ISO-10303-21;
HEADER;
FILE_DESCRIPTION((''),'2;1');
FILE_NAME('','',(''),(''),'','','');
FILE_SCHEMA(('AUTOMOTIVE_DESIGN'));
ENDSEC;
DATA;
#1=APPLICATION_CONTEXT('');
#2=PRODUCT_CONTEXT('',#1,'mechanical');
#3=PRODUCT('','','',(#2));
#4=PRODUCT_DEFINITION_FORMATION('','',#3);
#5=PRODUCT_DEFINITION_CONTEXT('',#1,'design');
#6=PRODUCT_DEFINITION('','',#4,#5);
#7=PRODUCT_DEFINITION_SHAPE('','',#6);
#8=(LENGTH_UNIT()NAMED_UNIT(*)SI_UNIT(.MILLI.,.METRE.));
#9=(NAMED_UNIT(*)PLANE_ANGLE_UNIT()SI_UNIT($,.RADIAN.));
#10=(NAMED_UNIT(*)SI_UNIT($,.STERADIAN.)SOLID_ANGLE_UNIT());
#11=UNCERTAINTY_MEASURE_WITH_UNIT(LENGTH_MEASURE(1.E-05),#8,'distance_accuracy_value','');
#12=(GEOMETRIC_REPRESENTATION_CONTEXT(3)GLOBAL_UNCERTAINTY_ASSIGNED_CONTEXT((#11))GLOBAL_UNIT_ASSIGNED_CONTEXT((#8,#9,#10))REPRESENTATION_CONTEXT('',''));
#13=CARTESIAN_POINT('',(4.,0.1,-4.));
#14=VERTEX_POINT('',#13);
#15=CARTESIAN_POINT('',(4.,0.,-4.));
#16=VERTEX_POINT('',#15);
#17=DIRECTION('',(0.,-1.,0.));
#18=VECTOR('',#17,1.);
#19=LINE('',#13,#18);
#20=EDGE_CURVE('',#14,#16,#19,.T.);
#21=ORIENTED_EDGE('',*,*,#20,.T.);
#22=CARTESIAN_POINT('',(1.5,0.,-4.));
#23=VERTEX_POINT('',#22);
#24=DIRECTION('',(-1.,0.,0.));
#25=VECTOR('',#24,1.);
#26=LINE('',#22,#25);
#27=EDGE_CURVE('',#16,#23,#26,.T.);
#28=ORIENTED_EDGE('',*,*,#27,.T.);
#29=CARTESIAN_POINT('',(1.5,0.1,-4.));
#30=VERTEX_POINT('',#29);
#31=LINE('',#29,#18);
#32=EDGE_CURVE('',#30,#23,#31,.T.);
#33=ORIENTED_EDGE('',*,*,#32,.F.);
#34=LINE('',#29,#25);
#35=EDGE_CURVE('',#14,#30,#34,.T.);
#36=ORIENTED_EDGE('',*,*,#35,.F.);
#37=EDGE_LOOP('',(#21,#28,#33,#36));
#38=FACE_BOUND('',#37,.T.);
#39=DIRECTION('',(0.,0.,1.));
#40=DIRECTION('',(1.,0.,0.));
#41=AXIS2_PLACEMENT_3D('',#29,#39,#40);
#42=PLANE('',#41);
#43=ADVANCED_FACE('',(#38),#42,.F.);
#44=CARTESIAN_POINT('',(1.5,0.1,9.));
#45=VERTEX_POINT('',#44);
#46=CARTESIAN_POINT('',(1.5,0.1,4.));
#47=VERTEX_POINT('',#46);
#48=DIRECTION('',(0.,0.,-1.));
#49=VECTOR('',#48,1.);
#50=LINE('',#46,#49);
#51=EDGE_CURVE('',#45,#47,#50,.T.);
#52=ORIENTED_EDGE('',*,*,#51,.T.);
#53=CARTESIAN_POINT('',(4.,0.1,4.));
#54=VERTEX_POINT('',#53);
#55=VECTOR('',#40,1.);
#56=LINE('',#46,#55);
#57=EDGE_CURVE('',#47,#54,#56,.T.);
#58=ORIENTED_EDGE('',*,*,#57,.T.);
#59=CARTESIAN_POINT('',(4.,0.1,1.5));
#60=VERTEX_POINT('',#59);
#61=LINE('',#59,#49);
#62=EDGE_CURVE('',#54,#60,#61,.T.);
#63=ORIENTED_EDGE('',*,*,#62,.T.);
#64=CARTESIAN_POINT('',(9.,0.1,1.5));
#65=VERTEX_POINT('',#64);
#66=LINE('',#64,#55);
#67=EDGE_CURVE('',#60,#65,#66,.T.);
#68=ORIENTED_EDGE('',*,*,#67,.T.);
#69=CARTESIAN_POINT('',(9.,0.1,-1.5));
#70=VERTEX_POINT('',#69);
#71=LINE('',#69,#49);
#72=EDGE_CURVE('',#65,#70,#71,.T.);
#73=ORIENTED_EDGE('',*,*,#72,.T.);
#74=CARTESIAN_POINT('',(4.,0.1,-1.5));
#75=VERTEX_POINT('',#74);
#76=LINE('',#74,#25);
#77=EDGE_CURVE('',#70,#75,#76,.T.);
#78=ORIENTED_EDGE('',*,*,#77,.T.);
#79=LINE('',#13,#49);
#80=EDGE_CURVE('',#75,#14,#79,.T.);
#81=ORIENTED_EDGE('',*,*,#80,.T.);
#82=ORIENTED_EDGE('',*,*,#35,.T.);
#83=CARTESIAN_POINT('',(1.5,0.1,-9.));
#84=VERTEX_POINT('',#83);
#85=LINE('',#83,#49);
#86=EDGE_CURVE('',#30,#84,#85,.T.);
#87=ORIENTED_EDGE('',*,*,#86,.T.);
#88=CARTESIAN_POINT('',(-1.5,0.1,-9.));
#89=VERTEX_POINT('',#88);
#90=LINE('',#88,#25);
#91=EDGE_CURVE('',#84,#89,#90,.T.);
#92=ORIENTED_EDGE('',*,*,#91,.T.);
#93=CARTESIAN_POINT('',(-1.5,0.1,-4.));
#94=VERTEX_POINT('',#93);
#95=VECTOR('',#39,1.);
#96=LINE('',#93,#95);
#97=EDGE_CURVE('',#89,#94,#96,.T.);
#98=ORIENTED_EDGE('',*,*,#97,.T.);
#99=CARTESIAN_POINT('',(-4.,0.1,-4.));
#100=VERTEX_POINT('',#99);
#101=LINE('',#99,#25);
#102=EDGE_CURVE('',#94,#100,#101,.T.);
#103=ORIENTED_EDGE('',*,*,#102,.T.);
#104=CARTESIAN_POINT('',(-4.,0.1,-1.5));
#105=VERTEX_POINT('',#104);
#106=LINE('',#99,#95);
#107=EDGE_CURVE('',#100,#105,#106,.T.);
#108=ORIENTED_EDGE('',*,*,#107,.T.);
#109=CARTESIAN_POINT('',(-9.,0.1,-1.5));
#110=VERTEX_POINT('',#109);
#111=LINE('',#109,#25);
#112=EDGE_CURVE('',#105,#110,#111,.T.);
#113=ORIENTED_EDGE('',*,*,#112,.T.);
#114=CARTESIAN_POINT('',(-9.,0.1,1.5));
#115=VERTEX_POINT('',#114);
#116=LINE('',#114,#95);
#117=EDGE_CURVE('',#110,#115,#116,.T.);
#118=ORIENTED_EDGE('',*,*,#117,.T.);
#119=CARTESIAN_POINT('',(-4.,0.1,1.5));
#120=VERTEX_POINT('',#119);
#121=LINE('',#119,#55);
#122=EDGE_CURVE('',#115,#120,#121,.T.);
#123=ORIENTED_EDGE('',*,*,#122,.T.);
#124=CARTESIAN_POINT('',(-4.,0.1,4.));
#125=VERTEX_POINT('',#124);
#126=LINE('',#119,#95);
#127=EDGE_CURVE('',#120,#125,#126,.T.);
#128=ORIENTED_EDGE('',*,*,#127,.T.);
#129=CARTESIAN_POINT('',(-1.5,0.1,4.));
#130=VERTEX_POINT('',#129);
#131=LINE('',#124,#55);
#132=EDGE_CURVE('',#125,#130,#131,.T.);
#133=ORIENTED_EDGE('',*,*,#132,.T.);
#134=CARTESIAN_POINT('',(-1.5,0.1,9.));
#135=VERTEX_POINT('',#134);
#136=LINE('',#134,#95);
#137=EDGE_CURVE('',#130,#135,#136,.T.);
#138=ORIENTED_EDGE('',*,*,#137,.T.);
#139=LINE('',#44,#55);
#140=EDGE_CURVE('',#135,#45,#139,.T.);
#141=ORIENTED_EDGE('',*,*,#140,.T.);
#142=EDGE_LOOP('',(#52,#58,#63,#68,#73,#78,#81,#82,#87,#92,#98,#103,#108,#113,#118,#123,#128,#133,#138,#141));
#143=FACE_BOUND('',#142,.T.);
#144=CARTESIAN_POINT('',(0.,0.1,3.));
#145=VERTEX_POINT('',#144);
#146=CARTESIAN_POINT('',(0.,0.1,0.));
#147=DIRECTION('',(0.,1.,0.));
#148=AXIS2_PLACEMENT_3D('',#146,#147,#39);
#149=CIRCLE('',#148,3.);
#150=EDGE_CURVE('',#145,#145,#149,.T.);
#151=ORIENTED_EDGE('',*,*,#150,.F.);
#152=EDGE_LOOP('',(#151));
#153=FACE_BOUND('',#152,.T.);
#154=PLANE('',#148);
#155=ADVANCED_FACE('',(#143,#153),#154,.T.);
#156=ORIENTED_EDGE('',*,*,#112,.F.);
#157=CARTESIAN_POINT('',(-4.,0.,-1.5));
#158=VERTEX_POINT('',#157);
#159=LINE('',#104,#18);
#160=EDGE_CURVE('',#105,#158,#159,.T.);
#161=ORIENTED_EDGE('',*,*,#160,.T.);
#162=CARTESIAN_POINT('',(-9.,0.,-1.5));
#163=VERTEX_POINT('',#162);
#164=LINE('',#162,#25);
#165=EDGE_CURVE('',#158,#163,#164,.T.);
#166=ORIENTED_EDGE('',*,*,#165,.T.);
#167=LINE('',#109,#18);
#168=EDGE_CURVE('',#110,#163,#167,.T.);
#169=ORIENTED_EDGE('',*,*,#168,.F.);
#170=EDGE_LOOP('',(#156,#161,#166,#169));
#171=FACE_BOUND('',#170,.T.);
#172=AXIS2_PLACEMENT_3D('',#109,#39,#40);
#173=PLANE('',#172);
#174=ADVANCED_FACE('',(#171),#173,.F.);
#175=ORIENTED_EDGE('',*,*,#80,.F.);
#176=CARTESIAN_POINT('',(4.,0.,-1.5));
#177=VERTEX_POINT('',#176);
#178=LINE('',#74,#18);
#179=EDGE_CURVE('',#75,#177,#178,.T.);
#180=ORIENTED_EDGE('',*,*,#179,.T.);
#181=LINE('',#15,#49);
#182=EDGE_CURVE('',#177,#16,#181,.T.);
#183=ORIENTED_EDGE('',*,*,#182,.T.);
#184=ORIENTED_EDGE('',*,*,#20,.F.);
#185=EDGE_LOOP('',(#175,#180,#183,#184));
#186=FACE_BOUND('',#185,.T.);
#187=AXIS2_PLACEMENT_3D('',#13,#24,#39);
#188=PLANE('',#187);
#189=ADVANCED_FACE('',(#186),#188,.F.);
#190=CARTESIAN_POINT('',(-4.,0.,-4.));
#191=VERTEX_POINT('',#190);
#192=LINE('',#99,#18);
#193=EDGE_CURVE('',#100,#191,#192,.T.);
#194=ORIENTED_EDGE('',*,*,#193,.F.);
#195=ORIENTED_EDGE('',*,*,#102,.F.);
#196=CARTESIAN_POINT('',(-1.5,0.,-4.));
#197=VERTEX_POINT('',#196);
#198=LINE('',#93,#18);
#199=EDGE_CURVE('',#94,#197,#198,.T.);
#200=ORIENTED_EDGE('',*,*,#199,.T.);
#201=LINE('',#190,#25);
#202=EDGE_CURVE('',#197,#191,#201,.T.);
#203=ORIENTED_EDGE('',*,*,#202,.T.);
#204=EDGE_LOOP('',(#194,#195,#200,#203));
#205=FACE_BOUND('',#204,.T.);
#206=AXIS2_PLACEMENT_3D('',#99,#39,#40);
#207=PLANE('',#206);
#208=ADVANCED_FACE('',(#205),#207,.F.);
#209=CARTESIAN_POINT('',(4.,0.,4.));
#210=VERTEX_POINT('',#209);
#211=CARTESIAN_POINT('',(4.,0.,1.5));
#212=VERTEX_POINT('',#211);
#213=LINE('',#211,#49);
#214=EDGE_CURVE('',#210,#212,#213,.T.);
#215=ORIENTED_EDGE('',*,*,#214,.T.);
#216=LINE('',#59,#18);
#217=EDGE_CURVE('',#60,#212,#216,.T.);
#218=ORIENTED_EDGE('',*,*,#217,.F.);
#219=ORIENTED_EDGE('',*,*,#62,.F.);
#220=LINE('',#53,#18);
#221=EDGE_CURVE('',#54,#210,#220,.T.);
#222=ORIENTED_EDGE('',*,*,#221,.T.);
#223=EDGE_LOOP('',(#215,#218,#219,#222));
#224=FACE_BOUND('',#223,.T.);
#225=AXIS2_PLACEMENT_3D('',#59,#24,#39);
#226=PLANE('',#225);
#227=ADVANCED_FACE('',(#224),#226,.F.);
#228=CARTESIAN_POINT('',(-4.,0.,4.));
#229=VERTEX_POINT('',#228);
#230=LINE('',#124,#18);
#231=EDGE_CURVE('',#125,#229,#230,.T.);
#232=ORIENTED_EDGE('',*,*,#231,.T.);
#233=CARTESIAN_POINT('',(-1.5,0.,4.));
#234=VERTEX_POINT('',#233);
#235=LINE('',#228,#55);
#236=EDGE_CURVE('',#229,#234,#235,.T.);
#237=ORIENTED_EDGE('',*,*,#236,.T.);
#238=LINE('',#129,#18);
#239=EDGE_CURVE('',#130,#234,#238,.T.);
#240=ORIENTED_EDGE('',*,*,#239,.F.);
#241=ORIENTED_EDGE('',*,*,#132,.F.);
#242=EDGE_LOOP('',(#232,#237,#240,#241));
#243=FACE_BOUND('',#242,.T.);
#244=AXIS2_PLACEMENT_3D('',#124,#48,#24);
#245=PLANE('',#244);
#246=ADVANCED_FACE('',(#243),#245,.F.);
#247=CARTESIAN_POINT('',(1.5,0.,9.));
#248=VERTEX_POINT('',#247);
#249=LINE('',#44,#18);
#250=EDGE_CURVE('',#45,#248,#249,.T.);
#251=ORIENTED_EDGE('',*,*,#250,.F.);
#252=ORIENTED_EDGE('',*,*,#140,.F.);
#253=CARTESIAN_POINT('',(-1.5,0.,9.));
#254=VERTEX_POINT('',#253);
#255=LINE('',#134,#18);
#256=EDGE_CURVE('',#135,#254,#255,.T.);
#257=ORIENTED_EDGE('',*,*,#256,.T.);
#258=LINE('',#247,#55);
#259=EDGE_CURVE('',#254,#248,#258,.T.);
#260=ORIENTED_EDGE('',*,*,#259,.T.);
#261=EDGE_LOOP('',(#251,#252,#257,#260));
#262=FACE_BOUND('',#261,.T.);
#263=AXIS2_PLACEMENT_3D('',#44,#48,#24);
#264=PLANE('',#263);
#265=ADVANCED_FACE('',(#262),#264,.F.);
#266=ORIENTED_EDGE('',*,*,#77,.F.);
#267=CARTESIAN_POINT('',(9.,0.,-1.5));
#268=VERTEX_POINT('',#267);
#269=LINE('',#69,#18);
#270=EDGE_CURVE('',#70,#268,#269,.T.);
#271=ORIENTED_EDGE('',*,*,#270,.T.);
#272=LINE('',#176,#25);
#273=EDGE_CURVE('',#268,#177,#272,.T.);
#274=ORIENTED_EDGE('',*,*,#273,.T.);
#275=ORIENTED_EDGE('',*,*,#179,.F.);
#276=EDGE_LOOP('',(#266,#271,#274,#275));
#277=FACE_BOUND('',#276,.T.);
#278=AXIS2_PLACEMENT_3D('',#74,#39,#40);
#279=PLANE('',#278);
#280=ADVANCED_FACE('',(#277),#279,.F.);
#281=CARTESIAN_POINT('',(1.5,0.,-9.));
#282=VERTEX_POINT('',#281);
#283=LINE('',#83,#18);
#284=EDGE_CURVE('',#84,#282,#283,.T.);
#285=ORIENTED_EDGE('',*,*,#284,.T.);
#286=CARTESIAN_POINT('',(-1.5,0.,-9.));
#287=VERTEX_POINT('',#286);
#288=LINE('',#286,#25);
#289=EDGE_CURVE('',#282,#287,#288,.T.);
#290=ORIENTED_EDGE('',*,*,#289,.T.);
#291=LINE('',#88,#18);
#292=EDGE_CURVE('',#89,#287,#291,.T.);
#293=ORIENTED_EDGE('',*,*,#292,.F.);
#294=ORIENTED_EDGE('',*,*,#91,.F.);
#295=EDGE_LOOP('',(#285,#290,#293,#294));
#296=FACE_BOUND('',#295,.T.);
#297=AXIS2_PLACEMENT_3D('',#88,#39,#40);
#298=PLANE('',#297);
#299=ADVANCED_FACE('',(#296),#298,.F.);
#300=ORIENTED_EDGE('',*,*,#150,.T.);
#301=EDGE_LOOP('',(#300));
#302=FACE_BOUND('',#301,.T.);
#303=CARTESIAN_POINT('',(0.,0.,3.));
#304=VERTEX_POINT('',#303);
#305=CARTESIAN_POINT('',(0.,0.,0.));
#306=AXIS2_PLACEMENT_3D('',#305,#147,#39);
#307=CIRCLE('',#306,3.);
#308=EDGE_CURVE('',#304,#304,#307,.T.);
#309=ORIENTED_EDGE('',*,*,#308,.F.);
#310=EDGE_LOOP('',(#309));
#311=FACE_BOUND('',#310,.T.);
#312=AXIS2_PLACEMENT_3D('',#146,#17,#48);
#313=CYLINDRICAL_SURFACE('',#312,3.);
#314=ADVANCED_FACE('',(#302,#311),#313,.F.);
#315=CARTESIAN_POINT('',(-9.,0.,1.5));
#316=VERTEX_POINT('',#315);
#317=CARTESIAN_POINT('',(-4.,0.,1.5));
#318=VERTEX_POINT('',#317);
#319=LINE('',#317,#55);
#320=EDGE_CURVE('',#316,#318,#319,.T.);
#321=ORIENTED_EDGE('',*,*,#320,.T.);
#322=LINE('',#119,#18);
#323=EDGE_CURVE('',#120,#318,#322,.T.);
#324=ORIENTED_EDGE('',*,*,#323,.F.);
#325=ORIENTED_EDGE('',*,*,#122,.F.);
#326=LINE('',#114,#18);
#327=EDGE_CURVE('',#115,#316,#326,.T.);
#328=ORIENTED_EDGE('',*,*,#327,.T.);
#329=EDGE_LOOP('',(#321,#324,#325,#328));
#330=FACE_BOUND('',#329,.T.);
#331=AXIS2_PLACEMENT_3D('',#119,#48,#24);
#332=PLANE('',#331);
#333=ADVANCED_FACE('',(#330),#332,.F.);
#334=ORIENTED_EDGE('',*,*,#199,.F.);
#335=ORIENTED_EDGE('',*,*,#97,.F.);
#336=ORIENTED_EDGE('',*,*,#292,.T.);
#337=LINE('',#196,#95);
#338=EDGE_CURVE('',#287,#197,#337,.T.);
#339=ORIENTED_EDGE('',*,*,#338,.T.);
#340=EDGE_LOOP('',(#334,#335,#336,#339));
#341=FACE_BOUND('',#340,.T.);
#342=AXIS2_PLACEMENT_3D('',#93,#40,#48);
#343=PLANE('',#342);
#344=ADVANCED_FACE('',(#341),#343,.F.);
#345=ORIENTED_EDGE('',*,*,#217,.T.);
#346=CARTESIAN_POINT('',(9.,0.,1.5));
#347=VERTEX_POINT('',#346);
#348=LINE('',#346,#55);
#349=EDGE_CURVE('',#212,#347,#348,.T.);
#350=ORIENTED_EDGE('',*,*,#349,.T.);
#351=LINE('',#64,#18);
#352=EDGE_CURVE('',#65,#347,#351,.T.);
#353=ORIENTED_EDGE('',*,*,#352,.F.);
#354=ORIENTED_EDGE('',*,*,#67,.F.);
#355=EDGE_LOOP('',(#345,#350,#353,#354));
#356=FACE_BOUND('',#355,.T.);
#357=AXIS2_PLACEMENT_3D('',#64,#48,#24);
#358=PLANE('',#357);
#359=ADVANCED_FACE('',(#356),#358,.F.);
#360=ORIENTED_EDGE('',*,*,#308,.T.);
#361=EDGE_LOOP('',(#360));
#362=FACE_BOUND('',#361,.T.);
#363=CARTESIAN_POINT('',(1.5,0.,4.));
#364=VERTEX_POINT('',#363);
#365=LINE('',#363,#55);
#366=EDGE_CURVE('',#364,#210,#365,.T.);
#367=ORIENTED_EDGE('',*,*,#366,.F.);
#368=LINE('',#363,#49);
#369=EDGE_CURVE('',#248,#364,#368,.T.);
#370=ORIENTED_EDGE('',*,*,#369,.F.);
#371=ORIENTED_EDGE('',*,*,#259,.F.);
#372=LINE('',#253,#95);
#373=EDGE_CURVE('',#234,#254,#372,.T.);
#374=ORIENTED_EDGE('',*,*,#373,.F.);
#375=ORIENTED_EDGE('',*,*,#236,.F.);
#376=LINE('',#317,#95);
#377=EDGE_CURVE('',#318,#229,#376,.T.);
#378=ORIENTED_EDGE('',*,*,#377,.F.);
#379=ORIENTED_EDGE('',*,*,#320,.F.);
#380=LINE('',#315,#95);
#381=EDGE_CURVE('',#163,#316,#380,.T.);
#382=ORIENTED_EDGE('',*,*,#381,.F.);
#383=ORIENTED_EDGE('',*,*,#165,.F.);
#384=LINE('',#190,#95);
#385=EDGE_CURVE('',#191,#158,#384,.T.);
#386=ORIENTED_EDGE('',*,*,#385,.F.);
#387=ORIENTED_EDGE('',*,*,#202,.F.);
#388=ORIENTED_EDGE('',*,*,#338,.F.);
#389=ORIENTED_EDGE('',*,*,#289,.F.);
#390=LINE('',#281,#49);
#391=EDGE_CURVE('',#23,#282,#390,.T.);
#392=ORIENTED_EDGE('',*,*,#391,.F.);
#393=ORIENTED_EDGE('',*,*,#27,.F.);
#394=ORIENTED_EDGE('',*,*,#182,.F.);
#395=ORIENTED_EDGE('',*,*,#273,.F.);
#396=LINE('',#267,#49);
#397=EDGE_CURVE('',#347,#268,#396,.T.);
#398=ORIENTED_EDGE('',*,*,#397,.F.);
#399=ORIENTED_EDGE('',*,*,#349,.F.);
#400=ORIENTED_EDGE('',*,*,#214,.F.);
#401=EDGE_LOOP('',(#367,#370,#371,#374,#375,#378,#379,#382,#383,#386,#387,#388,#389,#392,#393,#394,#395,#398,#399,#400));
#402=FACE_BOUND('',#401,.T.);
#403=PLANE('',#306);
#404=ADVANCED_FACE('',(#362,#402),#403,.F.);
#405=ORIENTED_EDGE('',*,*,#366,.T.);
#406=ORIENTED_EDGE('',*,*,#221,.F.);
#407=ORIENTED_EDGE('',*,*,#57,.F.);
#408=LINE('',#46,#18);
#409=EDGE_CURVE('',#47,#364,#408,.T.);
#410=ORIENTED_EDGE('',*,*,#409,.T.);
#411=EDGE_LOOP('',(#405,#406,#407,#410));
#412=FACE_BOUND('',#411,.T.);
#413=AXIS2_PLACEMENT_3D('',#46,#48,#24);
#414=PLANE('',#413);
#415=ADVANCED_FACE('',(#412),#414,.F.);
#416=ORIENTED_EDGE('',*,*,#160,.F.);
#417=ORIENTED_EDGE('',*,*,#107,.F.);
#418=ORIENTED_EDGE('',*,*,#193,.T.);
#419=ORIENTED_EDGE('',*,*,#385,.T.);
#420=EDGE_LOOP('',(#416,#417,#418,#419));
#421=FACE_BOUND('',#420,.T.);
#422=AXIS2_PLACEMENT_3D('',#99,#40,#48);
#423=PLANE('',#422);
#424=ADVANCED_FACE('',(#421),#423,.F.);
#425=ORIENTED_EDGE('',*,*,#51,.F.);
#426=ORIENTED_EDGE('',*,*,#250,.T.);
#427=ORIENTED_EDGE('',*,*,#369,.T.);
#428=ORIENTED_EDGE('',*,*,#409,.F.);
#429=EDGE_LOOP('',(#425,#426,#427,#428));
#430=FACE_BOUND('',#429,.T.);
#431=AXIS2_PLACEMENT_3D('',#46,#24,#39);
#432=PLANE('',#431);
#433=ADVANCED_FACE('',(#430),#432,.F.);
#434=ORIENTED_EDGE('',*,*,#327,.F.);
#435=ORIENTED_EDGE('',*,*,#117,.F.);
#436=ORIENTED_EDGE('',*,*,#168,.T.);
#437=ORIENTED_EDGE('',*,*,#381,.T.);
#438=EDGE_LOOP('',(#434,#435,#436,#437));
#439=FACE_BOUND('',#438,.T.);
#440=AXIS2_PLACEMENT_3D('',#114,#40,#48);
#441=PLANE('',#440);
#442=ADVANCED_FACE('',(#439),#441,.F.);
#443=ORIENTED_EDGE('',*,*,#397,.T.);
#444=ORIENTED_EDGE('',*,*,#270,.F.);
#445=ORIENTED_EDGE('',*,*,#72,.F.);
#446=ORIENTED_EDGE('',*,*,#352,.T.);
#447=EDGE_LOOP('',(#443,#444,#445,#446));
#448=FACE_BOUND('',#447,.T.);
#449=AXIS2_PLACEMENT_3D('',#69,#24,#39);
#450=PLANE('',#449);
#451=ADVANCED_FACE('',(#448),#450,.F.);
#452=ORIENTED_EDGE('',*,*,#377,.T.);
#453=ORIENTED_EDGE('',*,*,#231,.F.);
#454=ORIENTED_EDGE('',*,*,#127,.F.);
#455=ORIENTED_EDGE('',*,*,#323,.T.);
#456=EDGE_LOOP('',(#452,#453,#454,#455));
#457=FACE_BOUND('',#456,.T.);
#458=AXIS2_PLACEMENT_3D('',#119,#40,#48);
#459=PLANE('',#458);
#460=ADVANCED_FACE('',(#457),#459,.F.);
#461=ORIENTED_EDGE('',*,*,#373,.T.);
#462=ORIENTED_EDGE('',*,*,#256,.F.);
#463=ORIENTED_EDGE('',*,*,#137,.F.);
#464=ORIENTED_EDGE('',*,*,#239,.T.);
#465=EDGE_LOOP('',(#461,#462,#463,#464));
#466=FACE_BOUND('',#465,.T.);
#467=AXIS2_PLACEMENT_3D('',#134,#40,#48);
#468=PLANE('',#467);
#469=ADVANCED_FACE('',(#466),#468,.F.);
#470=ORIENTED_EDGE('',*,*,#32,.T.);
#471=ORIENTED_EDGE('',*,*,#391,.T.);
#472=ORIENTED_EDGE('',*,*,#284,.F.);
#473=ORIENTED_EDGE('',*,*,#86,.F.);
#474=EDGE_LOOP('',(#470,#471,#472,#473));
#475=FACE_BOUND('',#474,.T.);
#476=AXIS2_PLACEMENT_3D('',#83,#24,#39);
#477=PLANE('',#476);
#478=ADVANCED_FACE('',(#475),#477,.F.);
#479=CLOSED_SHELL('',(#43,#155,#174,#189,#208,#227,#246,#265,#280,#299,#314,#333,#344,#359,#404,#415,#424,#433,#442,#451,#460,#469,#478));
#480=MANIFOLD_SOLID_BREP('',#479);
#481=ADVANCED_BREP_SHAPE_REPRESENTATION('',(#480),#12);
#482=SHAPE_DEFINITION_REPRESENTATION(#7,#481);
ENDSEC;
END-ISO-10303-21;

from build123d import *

# Parameters (mm, degrees)
SKETCH1_R           = 3
BOSS_EXTRUDE1_DEPTH = 0.1


with BuildPart() as part:
    # Sketch1 → Boss-Extrude1 (new body)
    with BuildSketch(Plane(origin=(0, 0, 0), x_dir=(1, 0, 0), z_dir=(0, 1, 0))):
        Polygon((-1.5, 4), (-1.5, 9), (1.5, 9), (1.5, 4), (4, 4), (4, 1.5), (9, 1.5), (9, -1.5), (4, -1.5), (4, -4), (1.5, -4), (1.5, -9), (-1.5, -9), (-1.5, -4), (-4, -4), (-4, -1.5), (-9, -1.5), (-9, 1.5), (-4, 1.5), (-4, 4), align=None)
        with Locations(Location((0, 0, 0), (0, 0, 270))):
            Circle(SKETCH1_R, mode=Mode.SUBTRACT)
    extrude(amount=BOSS_EXTRUDE1_DEPTH)


solid = part.part
